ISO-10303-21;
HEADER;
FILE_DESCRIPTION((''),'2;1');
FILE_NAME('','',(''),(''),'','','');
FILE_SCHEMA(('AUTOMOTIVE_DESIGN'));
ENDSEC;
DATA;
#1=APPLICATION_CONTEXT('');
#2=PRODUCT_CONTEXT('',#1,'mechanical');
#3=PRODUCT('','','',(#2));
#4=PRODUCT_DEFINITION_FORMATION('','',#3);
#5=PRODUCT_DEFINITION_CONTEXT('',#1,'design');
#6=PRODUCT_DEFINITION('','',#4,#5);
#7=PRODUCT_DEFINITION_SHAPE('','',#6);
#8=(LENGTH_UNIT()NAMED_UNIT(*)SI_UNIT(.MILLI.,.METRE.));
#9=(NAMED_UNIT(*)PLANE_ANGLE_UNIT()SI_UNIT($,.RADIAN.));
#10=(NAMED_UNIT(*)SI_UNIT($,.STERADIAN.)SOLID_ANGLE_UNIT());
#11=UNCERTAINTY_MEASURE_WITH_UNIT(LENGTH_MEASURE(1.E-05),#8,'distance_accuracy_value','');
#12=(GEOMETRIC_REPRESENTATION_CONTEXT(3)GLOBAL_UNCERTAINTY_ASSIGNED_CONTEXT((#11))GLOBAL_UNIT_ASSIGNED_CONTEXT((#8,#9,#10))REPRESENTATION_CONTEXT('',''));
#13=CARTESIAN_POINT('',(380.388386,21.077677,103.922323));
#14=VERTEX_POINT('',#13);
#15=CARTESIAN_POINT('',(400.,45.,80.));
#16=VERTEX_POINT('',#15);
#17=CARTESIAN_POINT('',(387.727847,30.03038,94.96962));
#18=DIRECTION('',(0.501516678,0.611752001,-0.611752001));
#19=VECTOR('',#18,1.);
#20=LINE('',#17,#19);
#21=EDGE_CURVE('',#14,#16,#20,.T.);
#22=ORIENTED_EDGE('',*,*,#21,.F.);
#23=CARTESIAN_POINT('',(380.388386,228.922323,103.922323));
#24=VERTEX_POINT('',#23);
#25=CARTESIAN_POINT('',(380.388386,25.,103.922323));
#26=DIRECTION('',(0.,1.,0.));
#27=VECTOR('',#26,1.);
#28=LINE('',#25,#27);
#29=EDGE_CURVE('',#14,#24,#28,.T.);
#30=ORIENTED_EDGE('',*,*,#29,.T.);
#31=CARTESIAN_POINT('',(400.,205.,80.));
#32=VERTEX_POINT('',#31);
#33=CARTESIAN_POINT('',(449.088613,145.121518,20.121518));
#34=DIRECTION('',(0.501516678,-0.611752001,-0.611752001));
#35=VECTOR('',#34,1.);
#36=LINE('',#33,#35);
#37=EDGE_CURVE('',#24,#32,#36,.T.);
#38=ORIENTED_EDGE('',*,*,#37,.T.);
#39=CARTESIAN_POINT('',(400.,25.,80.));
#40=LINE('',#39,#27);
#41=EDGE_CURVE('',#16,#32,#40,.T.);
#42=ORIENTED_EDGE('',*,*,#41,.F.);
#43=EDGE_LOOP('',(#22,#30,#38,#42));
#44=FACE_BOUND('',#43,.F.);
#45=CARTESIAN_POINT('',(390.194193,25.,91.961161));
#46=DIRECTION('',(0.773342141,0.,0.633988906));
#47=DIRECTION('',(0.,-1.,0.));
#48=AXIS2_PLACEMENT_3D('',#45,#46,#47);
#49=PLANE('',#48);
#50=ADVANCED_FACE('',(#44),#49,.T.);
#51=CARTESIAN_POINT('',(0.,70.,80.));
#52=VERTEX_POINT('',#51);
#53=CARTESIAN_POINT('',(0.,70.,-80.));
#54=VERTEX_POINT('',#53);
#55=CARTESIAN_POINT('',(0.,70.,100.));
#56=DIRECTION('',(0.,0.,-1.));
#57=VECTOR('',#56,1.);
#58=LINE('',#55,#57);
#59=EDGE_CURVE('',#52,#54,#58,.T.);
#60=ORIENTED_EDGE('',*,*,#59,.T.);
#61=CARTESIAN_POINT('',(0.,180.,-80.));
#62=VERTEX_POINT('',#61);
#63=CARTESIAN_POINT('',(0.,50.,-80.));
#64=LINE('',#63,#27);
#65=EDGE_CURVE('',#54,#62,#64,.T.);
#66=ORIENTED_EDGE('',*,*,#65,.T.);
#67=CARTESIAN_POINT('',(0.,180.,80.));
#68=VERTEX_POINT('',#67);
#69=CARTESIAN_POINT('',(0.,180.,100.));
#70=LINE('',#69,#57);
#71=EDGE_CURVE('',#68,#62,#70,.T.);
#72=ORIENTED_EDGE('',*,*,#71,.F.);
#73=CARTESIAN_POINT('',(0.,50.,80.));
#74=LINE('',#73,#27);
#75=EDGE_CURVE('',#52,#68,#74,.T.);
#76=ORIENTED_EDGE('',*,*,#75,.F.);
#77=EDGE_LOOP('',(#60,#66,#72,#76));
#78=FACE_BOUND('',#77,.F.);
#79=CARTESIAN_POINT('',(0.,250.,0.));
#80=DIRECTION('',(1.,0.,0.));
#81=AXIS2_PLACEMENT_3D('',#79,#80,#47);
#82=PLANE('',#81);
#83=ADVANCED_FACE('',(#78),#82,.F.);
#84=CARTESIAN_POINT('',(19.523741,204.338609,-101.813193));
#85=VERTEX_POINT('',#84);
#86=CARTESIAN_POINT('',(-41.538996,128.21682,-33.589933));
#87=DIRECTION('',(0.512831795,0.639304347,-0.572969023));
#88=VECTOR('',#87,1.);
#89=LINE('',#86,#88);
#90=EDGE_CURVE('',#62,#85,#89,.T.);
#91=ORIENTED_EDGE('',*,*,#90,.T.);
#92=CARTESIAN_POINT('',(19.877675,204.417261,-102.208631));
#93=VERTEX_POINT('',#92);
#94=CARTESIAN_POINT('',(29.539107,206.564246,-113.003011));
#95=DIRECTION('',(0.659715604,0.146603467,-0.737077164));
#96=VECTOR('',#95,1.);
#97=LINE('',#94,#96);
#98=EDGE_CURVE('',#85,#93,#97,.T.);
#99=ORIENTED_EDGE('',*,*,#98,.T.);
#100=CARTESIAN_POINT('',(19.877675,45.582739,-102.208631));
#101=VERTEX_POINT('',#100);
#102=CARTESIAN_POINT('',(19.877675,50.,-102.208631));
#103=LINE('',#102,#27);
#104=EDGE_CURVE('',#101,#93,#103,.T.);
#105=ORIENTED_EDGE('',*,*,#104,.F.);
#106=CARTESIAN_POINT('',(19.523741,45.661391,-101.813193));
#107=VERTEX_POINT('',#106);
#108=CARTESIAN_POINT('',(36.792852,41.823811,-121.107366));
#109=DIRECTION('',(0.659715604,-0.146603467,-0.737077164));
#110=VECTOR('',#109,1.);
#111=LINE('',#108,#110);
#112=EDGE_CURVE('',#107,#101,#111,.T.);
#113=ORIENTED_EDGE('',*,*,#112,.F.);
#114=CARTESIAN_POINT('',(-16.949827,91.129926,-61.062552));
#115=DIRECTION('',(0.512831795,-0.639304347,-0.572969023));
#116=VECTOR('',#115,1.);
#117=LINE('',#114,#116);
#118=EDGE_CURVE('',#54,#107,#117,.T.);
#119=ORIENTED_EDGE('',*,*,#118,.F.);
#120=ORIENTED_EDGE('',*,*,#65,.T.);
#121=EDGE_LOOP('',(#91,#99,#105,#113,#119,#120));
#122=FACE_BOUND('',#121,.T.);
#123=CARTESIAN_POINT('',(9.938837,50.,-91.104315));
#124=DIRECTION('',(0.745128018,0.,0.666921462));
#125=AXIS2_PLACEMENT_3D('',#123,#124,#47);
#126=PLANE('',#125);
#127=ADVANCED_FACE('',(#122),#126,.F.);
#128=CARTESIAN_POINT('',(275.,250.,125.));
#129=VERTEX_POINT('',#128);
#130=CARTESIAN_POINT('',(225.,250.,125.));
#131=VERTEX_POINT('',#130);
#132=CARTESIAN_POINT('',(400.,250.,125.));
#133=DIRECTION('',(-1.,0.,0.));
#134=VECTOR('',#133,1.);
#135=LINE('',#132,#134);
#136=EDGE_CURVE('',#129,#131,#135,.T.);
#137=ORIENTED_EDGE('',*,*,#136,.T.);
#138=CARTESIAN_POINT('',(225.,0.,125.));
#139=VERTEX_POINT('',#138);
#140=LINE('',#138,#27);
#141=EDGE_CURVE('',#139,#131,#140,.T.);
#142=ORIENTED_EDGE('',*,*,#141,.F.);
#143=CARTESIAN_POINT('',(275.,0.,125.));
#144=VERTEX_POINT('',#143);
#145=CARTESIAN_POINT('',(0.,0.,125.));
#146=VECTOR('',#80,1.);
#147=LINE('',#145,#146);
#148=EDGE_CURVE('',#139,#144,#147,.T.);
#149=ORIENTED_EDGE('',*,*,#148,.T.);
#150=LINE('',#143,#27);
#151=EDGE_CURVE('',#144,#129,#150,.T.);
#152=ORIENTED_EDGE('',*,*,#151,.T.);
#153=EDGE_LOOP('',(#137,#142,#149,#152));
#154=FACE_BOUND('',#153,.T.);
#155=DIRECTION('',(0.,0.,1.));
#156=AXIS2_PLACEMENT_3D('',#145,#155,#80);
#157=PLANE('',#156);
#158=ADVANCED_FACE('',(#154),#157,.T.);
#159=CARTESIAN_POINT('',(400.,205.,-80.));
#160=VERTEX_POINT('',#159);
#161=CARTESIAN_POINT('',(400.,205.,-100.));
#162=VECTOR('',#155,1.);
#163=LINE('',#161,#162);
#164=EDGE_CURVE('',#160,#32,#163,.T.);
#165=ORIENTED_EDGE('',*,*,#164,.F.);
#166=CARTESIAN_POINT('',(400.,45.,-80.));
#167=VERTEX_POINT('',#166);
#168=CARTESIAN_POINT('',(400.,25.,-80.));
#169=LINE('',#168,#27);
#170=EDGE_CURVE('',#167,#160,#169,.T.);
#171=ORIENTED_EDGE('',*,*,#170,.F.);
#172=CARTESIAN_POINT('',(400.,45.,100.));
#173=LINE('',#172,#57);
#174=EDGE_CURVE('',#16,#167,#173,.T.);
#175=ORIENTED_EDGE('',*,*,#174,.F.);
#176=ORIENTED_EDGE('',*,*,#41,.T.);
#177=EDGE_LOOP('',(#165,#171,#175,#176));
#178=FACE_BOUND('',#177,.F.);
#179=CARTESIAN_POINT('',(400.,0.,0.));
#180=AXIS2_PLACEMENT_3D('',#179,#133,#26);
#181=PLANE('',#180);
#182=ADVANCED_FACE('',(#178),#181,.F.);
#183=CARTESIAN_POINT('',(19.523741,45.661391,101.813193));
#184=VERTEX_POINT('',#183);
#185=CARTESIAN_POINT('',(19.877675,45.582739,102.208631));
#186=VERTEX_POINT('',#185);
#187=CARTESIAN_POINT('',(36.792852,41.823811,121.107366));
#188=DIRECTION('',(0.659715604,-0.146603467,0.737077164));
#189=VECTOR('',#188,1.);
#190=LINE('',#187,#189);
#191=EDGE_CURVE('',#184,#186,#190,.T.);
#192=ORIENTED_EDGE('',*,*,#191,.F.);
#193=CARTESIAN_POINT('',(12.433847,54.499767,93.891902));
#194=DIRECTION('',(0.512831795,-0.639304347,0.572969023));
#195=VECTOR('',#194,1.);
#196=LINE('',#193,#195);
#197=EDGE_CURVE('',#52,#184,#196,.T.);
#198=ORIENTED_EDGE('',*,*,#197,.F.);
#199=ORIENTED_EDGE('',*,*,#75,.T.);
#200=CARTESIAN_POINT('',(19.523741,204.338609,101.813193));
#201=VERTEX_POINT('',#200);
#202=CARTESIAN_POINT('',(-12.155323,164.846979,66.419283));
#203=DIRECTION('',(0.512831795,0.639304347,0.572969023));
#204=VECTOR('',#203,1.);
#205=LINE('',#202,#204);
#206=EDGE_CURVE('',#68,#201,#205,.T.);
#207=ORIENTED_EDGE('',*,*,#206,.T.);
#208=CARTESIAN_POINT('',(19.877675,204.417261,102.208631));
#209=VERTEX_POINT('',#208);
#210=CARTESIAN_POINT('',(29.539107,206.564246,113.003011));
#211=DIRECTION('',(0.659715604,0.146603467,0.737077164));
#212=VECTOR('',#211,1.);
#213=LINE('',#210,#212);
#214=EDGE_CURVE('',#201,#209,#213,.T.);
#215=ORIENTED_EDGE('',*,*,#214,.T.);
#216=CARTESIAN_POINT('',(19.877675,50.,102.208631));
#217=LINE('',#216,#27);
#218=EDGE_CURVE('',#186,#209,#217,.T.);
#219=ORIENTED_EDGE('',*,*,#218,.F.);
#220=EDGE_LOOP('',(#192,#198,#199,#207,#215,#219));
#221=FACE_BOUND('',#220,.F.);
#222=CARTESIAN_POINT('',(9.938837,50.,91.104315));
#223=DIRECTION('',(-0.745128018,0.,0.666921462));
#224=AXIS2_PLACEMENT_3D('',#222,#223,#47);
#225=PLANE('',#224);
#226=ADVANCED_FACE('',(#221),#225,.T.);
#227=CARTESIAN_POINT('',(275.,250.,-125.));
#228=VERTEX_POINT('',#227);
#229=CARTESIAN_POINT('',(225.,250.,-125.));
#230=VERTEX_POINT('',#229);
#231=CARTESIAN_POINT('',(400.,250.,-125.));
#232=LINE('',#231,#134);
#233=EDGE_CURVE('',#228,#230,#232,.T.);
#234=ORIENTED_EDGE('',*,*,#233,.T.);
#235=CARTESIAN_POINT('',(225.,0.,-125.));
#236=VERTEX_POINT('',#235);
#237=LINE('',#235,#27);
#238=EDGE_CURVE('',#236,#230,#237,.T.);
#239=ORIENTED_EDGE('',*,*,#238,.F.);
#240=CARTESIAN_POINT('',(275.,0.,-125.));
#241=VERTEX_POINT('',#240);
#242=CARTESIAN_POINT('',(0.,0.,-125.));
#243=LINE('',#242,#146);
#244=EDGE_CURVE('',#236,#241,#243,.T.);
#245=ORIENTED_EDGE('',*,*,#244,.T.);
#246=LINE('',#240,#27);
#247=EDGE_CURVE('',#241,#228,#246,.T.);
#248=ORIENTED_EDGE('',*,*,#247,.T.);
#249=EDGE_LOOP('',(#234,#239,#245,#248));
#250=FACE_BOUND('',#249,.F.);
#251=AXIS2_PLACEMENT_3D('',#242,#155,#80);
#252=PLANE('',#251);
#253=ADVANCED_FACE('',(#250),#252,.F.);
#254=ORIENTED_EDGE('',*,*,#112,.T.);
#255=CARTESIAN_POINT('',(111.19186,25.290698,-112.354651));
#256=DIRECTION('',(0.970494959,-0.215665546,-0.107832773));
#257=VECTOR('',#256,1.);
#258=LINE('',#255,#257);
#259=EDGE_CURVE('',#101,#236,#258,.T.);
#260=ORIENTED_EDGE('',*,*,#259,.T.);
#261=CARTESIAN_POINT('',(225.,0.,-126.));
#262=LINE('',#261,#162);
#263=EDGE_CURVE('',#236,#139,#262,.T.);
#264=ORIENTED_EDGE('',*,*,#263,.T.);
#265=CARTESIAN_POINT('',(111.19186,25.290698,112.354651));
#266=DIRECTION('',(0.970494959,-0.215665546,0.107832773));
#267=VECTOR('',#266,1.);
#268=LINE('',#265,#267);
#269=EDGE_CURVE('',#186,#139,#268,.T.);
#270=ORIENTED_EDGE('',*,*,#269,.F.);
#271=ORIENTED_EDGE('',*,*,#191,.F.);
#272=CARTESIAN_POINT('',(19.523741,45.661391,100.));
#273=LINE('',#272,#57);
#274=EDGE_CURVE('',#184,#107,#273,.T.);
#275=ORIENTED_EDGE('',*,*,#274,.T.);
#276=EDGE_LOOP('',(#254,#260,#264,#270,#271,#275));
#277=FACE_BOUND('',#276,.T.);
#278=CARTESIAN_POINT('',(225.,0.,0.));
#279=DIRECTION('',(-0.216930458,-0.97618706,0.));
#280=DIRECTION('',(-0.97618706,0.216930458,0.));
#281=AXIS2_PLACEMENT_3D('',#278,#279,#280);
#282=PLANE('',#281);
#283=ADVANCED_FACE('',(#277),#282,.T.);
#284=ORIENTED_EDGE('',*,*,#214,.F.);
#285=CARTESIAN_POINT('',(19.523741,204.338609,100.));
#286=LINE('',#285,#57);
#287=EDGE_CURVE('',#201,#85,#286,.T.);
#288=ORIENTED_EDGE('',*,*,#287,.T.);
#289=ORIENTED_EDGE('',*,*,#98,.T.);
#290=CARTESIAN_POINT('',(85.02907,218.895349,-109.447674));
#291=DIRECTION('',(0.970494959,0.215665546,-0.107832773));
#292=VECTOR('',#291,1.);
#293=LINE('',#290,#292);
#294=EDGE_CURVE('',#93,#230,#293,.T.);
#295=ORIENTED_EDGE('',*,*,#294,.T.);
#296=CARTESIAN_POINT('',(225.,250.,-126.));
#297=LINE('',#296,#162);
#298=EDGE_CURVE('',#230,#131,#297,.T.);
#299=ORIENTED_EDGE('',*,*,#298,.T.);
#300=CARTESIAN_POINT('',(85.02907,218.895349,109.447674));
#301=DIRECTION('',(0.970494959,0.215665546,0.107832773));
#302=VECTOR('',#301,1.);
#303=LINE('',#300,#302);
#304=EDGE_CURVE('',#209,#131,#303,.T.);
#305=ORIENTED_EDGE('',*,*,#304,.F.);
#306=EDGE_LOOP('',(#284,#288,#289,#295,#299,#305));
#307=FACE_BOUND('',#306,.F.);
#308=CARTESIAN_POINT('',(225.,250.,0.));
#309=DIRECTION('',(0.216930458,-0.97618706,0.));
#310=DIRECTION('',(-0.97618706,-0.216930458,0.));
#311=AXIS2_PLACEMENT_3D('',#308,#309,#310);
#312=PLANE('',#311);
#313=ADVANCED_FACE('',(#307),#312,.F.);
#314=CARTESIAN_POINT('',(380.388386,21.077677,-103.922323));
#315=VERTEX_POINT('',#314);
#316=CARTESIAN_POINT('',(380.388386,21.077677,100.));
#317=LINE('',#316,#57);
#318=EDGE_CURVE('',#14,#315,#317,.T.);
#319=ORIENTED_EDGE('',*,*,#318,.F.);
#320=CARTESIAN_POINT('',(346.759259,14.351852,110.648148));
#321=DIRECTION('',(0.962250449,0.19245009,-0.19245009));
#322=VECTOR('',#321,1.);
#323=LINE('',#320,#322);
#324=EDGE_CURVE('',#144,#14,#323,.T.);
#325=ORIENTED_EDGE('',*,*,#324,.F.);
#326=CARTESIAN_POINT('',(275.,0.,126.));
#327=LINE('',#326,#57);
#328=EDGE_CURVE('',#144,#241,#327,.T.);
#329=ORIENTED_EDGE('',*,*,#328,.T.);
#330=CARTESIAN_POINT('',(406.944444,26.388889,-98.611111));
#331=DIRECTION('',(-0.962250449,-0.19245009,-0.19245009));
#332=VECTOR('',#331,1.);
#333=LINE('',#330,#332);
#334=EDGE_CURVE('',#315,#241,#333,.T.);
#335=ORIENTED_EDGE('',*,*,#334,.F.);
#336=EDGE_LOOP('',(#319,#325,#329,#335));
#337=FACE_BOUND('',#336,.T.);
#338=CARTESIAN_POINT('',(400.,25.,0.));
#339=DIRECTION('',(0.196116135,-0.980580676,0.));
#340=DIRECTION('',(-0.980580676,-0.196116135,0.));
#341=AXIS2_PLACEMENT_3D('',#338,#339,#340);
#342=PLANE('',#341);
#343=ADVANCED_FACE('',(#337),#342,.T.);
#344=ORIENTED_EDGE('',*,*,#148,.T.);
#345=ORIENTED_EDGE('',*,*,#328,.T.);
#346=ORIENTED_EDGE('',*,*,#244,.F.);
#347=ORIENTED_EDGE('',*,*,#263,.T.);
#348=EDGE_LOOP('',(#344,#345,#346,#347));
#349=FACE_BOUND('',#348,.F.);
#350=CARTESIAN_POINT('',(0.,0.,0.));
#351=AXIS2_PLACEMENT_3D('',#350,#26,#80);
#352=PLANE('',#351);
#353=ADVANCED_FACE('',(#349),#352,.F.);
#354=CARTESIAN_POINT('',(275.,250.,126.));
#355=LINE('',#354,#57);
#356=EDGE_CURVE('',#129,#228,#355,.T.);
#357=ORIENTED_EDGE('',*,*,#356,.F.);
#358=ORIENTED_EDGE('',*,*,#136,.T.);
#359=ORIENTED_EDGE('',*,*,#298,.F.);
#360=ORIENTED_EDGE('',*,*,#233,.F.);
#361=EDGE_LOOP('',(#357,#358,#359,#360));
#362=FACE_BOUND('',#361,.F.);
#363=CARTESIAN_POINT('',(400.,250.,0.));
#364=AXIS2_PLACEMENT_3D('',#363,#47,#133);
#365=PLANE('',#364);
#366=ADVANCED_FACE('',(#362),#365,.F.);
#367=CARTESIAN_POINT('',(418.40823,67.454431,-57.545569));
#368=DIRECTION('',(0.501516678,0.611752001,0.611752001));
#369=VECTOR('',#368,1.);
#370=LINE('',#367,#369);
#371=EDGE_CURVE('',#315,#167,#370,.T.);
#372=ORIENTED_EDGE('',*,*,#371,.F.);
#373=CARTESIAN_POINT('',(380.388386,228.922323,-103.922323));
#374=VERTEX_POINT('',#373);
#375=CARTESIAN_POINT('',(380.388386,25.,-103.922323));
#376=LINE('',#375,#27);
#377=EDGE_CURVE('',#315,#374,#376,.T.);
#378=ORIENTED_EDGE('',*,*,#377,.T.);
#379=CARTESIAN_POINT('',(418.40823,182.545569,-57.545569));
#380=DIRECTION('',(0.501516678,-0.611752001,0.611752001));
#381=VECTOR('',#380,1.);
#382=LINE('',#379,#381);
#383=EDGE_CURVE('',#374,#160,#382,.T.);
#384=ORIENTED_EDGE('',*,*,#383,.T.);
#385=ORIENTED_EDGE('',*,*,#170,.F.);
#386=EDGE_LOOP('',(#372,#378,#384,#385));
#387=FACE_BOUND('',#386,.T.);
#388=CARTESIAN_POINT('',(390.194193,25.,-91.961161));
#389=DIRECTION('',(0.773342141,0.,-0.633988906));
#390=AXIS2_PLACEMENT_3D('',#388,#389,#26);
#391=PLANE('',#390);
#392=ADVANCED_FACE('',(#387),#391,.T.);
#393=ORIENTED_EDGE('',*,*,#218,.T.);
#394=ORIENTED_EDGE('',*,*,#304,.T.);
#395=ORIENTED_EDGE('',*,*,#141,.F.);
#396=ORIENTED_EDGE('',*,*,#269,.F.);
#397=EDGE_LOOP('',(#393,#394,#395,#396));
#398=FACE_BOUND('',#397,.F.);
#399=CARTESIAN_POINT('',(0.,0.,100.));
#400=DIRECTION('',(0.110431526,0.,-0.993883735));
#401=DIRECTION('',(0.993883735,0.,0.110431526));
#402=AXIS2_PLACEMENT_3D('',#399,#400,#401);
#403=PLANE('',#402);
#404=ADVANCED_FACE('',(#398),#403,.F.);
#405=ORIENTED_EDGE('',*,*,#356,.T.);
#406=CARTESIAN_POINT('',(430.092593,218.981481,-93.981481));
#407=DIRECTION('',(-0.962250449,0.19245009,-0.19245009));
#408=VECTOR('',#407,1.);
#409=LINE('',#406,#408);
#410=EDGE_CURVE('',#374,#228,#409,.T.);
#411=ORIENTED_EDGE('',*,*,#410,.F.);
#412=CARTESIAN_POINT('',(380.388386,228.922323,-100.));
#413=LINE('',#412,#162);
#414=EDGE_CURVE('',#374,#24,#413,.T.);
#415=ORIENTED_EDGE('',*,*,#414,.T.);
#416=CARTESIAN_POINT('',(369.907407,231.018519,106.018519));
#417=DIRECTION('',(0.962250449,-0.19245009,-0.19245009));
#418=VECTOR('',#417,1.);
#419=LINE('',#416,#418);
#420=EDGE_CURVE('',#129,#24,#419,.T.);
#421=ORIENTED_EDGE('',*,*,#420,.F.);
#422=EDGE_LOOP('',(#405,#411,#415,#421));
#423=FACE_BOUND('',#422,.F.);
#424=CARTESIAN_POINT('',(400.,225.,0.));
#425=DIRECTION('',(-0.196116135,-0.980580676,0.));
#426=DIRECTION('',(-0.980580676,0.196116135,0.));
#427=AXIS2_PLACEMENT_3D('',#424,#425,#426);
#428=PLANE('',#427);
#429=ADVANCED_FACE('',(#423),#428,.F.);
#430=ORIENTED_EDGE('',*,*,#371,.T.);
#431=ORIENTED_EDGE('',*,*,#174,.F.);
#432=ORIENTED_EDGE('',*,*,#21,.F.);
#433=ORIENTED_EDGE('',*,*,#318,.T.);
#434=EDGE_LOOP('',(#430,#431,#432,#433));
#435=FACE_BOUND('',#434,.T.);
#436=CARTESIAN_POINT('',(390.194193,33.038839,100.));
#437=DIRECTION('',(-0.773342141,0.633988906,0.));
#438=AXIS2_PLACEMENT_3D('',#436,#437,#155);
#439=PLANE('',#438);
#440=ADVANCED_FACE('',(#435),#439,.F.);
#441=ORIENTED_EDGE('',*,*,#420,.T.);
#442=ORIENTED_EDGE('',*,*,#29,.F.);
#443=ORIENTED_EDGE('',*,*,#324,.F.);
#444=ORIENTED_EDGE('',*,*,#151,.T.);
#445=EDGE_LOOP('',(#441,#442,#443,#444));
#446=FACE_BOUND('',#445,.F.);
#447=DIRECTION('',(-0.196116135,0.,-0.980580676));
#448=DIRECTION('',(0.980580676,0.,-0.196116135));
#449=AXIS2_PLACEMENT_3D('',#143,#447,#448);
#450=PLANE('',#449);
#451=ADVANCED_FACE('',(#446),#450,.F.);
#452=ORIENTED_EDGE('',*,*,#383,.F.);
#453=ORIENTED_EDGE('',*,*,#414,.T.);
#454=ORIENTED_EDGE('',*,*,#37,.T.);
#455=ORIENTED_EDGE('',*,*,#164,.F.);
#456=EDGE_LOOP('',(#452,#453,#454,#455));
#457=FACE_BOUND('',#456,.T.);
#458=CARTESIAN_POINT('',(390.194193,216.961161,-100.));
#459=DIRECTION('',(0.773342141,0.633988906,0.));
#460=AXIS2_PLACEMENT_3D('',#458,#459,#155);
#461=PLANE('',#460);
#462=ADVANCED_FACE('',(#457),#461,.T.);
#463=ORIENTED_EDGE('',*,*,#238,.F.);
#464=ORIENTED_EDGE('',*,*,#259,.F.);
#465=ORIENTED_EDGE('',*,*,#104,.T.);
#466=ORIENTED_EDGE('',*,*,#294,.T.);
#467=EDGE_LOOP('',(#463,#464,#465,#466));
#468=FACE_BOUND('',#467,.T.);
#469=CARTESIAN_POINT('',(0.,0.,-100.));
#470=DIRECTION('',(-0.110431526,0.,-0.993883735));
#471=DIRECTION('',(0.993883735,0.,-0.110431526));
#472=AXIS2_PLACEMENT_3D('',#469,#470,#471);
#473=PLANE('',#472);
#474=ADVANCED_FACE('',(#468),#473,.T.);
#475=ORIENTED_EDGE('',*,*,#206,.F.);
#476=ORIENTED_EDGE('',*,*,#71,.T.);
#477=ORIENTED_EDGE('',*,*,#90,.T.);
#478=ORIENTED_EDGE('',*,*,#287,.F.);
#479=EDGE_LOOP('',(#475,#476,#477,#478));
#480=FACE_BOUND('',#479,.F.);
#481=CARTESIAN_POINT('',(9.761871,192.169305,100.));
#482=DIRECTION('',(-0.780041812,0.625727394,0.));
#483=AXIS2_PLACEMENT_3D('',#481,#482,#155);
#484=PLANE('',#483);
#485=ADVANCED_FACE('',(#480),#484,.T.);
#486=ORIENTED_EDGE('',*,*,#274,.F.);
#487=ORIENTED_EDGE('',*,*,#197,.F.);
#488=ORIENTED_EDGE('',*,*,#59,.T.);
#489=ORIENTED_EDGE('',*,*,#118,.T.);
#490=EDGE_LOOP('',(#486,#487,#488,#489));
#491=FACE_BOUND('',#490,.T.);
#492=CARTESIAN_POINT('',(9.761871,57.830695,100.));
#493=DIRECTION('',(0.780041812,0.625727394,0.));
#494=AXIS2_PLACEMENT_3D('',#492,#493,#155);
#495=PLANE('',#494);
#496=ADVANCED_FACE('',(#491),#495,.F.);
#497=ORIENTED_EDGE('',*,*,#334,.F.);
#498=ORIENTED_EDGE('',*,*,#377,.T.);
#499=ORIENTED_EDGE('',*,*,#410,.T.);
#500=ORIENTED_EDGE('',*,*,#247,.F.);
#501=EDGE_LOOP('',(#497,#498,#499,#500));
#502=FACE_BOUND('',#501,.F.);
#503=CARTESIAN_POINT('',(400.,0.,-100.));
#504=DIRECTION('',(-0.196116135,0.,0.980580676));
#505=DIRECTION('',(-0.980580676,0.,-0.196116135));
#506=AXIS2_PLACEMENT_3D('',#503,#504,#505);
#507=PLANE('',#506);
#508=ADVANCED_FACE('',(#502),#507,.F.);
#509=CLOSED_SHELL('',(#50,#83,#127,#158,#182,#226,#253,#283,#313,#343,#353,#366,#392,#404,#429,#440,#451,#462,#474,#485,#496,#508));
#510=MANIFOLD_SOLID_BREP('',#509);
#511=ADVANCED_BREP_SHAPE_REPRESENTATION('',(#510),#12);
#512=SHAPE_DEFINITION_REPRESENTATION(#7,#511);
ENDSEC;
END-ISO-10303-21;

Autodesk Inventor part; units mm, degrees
ref_plane "YZ Plane" through (0, 0, 0) normal (1, 0, 0) x (0, 1, 0)
ref_plane "XZ Plane" through (0, 0, 0) normal (0, 1, 0) x (-1, 0, 0)
ref_plane "XY Plane" through (0, 0, 0) normal (0, 0, 1) x (1, 0, 0)
sketch "Sketch1" plane through (0, 0, 0) normal (0, 0, 1) x (1, 0, 0)
  line L0 (0, 0) -> (400, 0)
  line L1 (400, 0) -> (400, 250)
  line L2 (400, 250) -> (0, 250)
  line L3 (0, 250) -> (0, 0)
  dimension "d0" = 400
  dimension "d1" = 250
extrude "Extrusion1" add sketch "Sketch1" along normal mid plane 250
sketch "Sketch2" plane through (0, 0, 0) normal (0, 0, 1) x (1, 0, 0)
  line L0 (400, 0) -> (400, 250) projected
  line L1 (400, 225) -> (275, 250)
  line L2 (400, 250) -> (0, 250) projected
  line L3 (275, 250) -> (400, 250)
  line L4 (400, 225) -> (400, 250)
  line L5 (400, 25) -> (275, 0)
  line L6 (0, 0) -> (400, 0) projected
  line L7 (225, 250) -> (0, 200)
  line L8 (0, 250) -> (0, 0) projected
  line L9 (225, 0) -> (0, 50)
  line L10 (400, 25) -> (400, 0)
  line L11 (275, 0) -> (400, 0)
  line L12 (225, 0) -> (0, 0)
  line L13 (0, 0) -> (0, 50)
  line L14 (0, 200) -> (0, 250)
  line L15 (225, 250) -> (0, 250)
  dimension "d4" = 25
  dimension "d5" = 125
  dimension "d6" = 25
  dimension "d7" = 125
  dimension "d8" = 50
  dimension "d9" = 50
  dimension "d10" = 50
  dimension "d11" = 50
extrude "Extrusion2" cut sketch "Sketch2" along normal through all both and the other way through all contours L6 L5 L0 | L1 L2 L0 | L6 L8 L9 | L7 L8 L2
sketch "Sketch3" plane through (0, 0, 0) normal (0, 1, 0) x (-1, 0, 0)
  line L0 (-275, -125) -> (-400, -125)
  line L1 (-400, -125) -> (-400, -100)
  line L2 (-400, -100) -> (-275, -125)
  line L3 (-275, 125) -> (-400, 125)
  line L4 (-400, 125) -> (-400, 100)
  line L5 (-275, 125) -> (-400, 100)
  line L6 (0, 0) -> (-400, 0) construction
  line L7 (0, 0) -> (0, 125) construction
  line L8 (0, 0) -> (0, -125) construction
  dimension "d28" = 25
  dimension "d29" = 25
  dimension "d32" = 400
  dimension "d33" = 100
  dimension "d34" = 100
  dimension "d35" = 125
  dimension "d36" = 125
  dimension "d37" = 125
  dimension "d38" = 125
  dimension "d39" = 400
  dimension "d40" = 400
extrude "Extrusion3" cut sketch "Sketch3" along normal through all
sketch "Sketch4" plane through (0, 0, 0) normal (0, 1, 0) x (-1, 0, 0)
  line L0 (0, -125) -> (-400, -125) projected
  line L1 (-225, -125) -> (0, -125)
  line L2 (0, -125) -> (0, -100)
  line L3 (0, -100) -> (-225, -125)
  line L4 (-225, 125) -> (0, 125) projected
  line L5 (-225, 125) -> (0, 125)
  line L6 (0, 125) -> (0, 100)
  line L7 (0, 100) -> (-225, 125)
  point P0 (0, 0)
  point P1 (-275, -125)
  dimension "d18" = 25
  dimension "d19" = 25
extrude "Extrusion4" cut sketch "Sketch4" along normal through all
chamfer "Chamfer1" distance 20 angle 45 4 edges at (0, 125, -100) (0, 125, 100) (0, 200, 0) (0, 50, 0)
chamfer "Chamfer2" distance 20 angle 45 4 edges at (400, 225, 0) (400, 125, -100) (400, 125, 100) (400, 25, 0)
properties part number "Scorpion Body"
